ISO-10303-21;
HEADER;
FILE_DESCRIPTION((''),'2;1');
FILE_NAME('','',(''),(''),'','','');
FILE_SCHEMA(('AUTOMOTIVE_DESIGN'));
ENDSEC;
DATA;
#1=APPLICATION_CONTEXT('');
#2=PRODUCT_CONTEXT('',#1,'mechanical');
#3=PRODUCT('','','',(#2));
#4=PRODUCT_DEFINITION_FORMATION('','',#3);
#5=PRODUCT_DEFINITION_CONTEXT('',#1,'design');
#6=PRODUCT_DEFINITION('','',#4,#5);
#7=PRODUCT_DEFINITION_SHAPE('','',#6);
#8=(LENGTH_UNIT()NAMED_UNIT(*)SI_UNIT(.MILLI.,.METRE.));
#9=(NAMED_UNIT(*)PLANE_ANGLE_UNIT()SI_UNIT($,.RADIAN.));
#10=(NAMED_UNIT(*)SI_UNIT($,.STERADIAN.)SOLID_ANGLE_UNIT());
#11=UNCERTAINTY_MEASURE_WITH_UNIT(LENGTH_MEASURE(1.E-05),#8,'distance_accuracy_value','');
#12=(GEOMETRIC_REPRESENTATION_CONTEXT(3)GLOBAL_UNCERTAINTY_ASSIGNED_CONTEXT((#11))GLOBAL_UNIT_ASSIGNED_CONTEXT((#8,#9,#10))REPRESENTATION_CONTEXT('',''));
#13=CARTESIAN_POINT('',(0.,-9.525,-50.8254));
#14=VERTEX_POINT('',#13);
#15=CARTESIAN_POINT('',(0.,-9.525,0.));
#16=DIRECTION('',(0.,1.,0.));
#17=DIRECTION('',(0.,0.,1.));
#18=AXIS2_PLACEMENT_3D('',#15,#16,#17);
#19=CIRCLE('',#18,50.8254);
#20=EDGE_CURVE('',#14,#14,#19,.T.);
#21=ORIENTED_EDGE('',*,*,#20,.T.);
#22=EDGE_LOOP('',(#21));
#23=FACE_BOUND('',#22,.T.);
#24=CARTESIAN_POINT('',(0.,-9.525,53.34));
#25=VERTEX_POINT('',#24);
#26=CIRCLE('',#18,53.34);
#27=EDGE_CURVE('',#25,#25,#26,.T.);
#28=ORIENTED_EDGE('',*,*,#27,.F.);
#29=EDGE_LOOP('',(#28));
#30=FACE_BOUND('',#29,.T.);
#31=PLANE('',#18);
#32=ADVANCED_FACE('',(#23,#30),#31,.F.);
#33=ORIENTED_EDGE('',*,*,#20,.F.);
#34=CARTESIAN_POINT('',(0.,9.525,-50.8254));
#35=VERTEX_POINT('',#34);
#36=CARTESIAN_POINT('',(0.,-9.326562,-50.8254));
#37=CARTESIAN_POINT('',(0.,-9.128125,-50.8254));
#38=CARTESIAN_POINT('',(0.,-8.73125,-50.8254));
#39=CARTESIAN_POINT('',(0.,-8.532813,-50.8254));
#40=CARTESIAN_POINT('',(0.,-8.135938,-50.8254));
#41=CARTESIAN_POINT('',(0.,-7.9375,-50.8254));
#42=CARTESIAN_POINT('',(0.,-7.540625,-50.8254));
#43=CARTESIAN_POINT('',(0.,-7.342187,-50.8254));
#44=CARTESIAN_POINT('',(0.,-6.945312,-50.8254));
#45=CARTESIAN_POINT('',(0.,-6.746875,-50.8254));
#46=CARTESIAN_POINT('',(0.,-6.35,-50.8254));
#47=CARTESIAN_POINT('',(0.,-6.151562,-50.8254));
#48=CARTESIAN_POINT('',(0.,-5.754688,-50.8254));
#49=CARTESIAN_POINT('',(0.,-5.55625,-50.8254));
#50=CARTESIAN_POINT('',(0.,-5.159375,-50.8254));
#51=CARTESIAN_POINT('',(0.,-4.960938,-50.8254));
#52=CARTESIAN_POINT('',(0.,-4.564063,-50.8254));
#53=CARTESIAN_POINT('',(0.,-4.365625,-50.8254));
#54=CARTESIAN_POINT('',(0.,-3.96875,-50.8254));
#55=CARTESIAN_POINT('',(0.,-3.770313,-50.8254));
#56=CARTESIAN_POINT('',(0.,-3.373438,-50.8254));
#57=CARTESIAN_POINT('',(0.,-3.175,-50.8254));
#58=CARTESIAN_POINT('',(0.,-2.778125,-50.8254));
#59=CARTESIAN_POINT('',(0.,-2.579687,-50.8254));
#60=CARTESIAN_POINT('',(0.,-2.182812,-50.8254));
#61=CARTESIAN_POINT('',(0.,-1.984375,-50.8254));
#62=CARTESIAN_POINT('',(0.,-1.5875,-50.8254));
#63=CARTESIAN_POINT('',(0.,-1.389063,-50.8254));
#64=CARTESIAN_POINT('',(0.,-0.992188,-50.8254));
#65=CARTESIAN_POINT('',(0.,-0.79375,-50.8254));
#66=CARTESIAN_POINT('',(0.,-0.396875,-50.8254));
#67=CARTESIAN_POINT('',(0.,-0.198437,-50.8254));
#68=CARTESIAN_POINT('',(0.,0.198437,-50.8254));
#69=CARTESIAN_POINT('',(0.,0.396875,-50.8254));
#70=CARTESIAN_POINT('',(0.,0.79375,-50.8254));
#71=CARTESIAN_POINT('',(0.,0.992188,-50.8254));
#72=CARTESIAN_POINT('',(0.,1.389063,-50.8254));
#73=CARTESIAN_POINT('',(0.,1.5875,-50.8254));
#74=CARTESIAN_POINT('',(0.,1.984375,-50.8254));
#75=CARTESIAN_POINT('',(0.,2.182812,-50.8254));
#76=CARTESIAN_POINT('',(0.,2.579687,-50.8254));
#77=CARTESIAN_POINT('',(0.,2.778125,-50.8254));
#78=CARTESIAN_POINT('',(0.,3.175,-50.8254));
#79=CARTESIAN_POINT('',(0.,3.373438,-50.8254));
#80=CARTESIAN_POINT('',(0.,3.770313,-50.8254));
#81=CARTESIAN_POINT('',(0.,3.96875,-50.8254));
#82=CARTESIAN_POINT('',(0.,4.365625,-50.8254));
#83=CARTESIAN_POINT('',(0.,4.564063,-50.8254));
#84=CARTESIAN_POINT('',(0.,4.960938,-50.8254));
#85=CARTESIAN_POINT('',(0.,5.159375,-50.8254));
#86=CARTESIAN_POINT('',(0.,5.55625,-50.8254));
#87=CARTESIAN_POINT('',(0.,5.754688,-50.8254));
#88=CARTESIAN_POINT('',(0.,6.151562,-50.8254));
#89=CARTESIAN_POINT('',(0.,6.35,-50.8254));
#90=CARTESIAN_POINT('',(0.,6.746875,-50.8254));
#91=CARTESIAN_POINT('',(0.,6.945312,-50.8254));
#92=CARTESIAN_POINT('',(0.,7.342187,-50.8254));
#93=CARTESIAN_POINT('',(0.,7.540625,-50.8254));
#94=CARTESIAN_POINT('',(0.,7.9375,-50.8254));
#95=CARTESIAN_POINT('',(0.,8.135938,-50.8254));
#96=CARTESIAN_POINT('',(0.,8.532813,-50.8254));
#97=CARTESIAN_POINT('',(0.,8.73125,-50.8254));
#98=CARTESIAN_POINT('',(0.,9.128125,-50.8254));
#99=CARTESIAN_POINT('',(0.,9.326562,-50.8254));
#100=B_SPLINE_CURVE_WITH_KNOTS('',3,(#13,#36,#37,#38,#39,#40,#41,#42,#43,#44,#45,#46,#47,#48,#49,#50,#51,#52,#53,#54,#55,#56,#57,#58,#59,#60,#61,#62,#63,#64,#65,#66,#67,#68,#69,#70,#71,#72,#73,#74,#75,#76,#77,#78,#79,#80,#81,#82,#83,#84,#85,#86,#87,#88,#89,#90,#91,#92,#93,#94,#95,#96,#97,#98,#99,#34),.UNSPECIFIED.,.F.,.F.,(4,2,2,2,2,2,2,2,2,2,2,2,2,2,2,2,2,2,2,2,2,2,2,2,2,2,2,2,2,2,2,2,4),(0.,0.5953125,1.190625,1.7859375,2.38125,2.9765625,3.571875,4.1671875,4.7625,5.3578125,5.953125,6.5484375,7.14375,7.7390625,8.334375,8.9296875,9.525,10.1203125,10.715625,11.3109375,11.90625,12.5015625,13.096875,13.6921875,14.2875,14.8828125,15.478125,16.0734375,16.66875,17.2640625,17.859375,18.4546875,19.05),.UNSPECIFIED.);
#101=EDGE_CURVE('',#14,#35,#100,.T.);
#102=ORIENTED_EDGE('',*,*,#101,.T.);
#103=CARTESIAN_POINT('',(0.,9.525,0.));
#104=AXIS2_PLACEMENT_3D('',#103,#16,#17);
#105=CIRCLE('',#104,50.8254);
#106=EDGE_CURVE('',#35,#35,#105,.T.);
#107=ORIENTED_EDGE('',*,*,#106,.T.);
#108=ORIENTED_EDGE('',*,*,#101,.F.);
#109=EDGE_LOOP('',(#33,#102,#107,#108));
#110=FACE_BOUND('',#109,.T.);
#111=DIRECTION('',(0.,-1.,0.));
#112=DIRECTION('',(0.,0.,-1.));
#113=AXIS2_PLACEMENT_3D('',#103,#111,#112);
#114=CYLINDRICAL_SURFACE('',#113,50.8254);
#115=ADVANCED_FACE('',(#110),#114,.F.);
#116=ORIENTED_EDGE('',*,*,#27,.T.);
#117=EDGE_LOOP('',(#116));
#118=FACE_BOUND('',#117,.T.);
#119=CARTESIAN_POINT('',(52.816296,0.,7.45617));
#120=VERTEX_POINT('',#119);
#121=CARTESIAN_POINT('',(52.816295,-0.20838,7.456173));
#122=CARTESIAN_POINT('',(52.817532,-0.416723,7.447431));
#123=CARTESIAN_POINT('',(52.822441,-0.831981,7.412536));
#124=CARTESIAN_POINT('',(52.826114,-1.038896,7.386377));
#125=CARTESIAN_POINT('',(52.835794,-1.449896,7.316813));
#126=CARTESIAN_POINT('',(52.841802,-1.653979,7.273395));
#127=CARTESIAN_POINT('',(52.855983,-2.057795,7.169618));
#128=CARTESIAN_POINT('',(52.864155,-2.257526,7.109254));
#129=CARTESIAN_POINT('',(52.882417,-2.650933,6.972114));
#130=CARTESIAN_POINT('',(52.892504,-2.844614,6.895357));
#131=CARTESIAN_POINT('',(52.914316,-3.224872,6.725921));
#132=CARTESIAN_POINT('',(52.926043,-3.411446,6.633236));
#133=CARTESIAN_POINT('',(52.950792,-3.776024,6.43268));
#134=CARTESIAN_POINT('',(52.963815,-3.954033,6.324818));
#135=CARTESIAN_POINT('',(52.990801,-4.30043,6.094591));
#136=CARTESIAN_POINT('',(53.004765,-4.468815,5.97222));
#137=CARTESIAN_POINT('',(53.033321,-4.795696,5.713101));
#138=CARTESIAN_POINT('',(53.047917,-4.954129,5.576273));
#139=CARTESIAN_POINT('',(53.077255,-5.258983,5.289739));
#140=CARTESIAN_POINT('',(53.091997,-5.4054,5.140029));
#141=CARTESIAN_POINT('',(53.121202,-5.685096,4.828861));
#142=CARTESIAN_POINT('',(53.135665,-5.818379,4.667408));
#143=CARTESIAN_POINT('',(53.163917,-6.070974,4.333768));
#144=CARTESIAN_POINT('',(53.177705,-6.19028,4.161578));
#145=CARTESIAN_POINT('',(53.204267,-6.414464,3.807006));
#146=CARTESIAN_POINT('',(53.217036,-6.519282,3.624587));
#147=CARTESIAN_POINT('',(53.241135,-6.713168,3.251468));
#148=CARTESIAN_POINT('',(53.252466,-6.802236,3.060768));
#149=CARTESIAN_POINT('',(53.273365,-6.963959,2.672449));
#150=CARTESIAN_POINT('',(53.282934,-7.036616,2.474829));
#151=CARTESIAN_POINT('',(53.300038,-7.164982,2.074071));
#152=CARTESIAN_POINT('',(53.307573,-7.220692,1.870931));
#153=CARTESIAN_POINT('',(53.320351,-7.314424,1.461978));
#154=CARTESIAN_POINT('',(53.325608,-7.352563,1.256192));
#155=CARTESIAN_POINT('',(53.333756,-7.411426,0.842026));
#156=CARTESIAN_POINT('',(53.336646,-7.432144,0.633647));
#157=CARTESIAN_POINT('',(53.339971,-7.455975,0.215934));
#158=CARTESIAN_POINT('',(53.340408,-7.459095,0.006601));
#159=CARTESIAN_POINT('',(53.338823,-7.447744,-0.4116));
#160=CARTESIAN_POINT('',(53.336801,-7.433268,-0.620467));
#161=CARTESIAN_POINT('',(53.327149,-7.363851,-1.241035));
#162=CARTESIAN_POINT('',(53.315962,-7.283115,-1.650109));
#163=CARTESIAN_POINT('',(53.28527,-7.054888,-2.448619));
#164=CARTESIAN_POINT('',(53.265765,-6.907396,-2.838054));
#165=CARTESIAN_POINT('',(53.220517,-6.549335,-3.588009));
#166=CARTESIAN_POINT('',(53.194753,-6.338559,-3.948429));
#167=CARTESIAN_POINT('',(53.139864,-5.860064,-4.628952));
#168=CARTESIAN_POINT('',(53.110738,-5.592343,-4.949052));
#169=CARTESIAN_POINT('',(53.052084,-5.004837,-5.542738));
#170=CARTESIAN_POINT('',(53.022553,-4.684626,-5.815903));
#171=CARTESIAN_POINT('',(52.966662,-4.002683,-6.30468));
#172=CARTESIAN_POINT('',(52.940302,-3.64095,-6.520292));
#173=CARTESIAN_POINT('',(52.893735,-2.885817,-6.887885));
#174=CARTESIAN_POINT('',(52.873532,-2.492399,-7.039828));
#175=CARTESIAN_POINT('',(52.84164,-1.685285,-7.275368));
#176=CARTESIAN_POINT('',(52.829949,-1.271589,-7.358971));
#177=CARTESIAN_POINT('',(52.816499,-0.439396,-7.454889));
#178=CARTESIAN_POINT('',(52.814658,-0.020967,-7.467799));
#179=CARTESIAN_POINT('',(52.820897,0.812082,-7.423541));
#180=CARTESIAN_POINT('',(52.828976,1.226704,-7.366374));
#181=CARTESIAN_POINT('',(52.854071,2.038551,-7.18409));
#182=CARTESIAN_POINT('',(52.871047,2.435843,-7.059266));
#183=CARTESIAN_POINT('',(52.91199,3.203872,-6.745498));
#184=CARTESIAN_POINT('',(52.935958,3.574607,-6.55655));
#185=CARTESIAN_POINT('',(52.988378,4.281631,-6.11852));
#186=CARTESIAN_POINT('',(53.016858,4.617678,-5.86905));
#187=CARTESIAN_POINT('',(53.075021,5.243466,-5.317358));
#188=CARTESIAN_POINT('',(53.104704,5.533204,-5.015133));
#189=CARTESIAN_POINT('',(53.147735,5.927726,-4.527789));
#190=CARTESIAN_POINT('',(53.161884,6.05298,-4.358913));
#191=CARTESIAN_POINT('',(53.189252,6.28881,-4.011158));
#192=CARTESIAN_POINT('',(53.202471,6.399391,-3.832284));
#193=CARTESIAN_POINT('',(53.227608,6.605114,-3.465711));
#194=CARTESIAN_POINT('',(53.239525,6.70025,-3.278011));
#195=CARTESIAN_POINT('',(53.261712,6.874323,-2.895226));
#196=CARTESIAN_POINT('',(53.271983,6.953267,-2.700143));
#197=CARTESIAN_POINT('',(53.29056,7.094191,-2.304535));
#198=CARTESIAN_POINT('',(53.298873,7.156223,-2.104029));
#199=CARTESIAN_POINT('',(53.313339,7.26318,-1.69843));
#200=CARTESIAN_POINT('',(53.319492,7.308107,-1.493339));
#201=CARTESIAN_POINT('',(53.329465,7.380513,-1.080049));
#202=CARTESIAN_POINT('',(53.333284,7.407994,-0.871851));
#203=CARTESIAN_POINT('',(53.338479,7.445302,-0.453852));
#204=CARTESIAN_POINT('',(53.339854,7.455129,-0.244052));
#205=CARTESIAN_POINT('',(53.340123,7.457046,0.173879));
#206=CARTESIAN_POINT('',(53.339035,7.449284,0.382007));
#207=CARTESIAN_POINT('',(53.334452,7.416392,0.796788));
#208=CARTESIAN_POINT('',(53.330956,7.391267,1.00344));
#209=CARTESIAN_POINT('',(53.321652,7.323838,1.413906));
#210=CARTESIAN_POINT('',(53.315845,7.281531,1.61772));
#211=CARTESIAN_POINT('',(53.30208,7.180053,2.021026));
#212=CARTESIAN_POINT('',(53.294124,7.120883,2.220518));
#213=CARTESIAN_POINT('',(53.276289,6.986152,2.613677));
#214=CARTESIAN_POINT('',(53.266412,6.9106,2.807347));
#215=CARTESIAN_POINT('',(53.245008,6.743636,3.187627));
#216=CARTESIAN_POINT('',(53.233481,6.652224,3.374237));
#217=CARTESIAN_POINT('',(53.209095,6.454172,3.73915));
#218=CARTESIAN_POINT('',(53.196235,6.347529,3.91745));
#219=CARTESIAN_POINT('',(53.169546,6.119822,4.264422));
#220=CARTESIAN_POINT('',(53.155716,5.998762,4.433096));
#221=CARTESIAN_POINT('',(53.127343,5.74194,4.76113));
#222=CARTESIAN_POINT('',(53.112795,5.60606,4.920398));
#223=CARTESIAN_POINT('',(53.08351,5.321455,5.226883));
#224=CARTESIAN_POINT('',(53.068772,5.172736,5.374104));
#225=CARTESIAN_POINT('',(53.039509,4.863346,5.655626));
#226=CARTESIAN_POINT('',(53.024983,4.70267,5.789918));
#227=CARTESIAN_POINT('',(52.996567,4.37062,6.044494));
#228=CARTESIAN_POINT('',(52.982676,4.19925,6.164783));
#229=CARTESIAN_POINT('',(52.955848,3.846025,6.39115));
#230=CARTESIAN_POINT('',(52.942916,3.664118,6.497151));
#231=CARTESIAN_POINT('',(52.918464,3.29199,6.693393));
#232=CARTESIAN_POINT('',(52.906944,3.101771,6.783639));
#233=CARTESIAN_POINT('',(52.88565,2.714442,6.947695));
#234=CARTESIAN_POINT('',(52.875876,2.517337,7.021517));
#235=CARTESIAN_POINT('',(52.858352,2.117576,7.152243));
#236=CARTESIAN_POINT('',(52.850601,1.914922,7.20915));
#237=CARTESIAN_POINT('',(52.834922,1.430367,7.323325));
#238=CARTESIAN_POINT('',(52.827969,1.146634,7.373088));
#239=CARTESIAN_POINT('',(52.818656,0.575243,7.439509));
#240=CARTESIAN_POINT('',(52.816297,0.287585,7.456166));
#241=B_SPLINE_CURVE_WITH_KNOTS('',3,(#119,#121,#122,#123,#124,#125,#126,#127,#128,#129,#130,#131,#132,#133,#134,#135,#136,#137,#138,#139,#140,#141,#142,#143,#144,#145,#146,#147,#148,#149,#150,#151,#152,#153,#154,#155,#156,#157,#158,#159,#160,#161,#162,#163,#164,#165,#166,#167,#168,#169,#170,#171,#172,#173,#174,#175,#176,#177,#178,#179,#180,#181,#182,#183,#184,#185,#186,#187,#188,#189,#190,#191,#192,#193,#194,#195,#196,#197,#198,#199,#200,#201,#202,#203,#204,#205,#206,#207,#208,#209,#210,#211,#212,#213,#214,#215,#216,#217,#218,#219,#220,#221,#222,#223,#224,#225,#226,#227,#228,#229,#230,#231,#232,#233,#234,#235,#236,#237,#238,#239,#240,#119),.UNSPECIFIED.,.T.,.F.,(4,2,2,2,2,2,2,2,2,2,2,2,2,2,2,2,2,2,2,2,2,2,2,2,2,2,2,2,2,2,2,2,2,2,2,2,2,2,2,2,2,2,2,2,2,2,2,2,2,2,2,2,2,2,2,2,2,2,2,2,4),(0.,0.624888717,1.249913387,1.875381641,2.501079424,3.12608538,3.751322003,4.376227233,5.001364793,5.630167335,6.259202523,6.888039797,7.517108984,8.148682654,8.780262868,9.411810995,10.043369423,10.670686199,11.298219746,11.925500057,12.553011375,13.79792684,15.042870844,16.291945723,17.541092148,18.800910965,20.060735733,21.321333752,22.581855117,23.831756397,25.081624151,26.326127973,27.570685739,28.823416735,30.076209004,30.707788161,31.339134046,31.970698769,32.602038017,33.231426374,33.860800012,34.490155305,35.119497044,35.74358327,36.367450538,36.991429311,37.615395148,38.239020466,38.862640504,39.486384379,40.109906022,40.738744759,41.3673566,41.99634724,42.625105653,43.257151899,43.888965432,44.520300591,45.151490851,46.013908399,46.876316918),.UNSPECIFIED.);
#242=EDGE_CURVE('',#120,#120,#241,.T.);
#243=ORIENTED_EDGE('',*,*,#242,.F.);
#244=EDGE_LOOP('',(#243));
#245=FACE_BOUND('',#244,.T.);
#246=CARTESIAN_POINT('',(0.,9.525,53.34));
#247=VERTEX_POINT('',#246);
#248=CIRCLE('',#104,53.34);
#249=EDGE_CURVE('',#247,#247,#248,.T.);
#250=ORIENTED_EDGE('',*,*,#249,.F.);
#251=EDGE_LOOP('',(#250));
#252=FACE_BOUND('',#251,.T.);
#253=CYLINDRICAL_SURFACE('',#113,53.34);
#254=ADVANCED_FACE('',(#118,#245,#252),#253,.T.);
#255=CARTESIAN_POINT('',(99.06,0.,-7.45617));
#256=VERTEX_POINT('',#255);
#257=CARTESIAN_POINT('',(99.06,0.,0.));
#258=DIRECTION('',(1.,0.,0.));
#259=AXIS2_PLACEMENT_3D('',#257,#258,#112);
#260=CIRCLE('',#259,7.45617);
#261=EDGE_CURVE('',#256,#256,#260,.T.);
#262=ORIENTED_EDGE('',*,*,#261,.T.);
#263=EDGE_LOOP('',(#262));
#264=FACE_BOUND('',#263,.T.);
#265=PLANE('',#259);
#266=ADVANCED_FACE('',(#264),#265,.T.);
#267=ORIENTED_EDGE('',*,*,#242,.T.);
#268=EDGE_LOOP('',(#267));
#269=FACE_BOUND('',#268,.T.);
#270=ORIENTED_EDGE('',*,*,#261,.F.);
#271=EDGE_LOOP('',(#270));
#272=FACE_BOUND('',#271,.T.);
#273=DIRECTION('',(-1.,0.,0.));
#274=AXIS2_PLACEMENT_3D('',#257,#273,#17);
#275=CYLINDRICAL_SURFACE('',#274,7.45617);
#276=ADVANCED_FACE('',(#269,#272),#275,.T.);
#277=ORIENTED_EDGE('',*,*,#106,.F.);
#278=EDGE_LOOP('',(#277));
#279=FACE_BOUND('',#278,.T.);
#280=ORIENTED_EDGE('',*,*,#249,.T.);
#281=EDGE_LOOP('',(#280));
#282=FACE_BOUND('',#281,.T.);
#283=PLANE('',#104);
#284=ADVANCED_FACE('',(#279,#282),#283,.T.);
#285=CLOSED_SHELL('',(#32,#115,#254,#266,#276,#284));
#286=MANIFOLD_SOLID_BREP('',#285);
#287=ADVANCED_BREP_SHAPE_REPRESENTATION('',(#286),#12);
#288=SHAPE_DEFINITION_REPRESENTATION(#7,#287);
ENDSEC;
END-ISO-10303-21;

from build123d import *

# Parameters (mm, degrees)
CROQUIS1_R              = 53.34
CROQUIS1_R_2            = 50.8254
SALIENTE_EXTRUIR1_DEPTH = 9.525
CROQUIS2_R              = 7.45617
SALIENTE_EXTRUIR2_DEPTH = 99.06
CROQUIS3_R              = 50.8254
CORTAR_EXTRUIR1_DEPTH   = 49.53


with BuildPart() as part:
    # Croquis1 → Saliente-Extruir1 (new, symmetric)
    with BuildSketch(Plane(origin=(0, 0, 0), x_dir=(1, 0, 0), z_dir=(0, 1, 0))):
        with Locations(Location((0, 0, 0), (0, 0, 90))):
            Circle(CROQUIS1_R)
        with Locations(Location((0, 0, 0), (0, 0, 90))):
            Circle(CROQUIS1_R_2, mode=Mode.SUBTRACT)
    extrude(amount=SALIENTE_EXTRUIR1_DEPTH, both=True)

    # Croquis2 → Saliente-Extruir2 (add)
    with BuildSketch(Plane(origin=(0, 0, 0), x_dir=(0, 0, -1), z_dir=(1, 0, 0))):
        with Locations(Location((0, 0, 0), (0, 0, 180))):
            Circle(CROQUIS2_R)
    extrude(amount=SALIENTE_EXTRUIR2_DEPTH)

    # Croquis3 → Cortar-Extruir1 (cut, symmetric)
    with BuildSketch(Plane.XZ.offset(9.525)):
        with Locations(Location((0, 0, 0), (0, 0, 270))):
            Circle(CROQUIS3_R)
    extrude(amount=CORTAR_EXTRUIR1_DEPTH, both=True, mode=Mode.SUBTRACT)


solid = part.part
